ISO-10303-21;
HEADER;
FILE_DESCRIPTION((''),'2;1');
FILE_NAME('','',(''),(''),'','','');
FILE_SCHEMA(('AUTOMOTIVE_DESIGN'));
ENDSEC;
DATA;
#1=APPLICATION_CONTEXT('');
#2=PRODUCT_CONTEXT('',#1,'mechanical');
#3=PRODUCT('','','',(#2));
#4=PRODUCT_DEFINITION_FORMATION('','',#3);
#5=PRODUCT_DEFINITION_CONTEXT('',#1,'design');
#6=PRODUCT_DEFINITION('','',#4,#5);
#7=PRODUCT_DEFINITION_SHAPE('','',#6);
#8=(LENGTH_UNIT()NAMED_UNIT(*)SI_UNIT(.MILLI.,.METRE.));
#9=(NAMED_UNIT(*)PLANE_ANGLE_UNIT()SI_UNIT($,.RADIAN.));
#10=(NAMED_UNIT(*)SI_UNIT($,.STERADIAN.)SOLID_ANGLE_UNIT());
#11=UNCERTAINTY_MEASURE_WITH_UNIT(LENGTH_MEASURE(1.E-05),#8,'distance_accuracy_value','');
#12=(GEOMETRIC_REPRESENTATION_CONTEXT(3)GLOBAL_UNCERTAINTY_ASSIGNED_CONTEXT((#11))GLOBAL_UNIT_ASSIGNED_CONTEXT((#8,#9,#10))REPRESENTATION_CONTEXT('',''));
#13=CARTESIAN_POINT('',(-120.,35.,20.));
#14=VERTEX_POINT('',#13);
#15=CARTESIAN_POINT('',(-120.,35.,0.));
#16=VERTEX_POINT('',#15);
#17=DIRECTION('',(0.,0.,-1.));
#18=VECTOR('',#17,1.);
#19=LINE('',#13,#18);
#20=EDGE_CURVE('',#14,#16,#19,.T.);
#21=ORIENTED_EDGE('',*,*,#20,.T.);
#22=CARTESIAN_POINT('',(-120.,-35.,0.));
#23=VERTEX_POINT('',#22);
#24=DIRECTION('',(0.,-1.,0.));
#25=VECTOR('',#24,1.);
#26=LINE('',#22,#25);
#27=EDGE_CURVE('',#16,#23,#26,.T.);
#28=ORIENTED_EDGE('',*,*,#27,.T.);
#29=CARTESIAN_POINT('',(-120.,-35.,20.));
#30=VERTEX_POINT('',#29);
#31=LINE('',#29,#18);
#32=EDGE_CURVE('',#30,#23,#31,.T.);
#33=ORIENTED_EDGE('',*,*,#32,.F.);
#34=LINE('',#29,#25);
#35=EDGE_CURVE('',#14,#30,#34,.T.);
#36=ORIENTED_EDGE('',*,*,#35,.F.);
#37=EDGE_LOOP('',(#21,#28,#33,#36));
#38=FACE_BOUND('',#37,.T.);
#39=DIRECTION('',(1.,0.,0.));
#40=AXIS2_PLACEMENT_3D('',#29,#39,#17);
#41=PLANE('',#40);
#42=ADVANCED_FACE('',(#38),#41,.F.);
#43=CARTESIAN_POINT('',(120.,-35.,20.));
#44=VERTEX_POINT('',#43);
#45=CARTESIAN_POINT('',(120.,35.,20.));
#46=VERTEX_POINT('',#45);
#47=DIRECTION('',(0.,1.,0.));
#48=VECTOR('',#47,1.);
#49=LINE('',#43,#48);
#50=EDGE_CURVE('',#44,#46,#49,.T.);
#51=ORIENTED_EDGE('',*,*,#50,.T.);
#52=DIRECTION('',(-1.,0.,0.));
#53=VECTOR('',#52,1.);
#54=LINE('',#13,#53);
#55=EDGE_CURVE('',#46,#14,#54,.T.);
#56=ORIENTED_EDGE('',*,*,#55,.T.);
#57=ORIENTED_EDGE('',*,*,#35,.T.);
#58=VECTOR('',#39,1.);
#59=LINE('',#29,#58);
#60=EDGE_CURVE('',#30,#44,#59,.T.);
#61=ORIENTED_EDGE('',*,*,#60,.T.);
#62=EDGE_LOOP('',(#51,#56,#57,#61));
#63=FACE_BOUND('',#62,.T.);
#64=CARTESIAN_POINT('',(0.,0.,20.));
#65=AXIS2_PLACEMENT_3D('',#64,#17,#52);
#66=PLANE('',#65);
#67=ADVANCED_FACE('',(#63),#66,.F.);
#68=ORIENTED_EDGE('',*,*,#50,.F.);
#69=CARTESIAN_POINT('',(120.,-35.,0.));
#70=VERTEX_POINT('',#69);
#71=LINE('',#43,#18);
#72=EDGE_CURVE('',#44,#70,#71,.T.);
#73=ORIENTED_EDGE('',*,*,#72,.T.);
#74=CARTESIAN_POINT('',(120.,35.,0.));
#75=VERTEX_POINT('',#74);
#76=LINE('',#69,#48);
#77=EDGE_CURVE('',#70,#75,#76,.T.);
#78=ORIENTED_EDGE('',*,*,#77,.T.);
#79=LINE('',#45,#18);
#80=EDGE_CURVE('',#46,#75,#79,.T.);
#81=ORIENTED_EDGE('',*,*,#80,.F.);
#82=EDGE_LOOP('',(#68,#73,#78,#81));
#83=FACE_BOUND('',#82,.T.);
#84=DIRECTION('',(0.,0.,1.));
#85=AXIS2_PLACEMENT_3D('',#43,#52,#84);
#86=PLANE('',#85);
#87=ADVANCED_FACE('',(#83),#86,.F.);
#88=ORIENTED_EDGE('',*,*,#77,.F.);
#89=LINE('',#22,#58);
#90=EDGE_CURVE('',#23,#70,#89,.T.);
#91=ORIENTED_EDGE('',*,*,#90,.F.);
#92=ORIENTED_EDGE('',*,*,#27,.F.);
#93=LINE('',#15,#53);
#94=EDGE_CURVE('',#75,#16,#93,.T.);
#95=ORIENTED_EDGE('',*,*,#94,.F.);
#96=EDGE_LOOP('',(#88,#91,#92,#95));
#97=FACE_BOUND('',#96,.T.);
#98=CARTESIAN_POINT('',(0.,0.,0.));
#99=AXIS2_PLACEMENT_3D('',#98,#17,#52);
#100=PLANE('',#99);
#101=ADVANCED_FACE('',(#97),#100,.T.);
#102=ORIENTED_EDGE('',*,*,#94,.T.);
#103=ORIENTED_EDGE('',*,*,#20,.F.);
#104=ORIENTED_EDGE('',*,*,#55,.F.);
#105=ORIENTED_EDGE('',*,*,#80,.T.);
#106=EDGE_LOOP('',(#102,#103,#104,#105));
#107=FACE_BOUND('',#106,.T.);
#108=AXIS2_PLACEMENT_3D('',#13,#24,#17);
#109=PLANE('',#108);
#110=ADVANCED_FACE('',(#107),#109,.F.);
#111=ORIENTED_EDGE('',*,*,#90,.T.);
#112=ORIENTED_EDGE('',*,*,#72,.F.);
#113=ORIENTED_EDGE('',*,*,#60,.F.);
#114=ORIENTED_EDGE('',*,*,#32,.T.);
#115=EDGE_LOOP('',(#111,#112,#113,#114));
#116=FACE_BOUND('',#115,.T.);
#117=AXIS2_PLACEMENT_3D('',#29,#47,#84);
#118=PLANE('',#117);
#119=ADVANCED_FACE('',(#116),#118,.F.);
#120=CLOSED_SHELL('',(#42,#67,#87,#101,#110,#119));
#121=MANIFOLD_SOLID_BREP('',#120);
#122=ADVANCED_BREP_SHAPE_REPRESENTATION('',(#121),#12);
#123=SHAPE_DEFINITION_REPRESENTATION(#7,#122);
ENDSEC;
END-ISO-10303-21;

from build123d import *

# Parameters (mm, degrees)
SKETCH_1_W      = 240
SKETCH_1_H      = 70
EXTRUDE_1_DEPTH = 20


with BuildPart() as part:
    # 草图1 → 凸台-拉伸1 (new body)
    with BuildSketch(Plane.XY):
        Rectangle(SKETCH_1_W, SKETCH_1_H)
    extrude(amount=EXTRUDE_1_DEPTH)


solid = part.part
